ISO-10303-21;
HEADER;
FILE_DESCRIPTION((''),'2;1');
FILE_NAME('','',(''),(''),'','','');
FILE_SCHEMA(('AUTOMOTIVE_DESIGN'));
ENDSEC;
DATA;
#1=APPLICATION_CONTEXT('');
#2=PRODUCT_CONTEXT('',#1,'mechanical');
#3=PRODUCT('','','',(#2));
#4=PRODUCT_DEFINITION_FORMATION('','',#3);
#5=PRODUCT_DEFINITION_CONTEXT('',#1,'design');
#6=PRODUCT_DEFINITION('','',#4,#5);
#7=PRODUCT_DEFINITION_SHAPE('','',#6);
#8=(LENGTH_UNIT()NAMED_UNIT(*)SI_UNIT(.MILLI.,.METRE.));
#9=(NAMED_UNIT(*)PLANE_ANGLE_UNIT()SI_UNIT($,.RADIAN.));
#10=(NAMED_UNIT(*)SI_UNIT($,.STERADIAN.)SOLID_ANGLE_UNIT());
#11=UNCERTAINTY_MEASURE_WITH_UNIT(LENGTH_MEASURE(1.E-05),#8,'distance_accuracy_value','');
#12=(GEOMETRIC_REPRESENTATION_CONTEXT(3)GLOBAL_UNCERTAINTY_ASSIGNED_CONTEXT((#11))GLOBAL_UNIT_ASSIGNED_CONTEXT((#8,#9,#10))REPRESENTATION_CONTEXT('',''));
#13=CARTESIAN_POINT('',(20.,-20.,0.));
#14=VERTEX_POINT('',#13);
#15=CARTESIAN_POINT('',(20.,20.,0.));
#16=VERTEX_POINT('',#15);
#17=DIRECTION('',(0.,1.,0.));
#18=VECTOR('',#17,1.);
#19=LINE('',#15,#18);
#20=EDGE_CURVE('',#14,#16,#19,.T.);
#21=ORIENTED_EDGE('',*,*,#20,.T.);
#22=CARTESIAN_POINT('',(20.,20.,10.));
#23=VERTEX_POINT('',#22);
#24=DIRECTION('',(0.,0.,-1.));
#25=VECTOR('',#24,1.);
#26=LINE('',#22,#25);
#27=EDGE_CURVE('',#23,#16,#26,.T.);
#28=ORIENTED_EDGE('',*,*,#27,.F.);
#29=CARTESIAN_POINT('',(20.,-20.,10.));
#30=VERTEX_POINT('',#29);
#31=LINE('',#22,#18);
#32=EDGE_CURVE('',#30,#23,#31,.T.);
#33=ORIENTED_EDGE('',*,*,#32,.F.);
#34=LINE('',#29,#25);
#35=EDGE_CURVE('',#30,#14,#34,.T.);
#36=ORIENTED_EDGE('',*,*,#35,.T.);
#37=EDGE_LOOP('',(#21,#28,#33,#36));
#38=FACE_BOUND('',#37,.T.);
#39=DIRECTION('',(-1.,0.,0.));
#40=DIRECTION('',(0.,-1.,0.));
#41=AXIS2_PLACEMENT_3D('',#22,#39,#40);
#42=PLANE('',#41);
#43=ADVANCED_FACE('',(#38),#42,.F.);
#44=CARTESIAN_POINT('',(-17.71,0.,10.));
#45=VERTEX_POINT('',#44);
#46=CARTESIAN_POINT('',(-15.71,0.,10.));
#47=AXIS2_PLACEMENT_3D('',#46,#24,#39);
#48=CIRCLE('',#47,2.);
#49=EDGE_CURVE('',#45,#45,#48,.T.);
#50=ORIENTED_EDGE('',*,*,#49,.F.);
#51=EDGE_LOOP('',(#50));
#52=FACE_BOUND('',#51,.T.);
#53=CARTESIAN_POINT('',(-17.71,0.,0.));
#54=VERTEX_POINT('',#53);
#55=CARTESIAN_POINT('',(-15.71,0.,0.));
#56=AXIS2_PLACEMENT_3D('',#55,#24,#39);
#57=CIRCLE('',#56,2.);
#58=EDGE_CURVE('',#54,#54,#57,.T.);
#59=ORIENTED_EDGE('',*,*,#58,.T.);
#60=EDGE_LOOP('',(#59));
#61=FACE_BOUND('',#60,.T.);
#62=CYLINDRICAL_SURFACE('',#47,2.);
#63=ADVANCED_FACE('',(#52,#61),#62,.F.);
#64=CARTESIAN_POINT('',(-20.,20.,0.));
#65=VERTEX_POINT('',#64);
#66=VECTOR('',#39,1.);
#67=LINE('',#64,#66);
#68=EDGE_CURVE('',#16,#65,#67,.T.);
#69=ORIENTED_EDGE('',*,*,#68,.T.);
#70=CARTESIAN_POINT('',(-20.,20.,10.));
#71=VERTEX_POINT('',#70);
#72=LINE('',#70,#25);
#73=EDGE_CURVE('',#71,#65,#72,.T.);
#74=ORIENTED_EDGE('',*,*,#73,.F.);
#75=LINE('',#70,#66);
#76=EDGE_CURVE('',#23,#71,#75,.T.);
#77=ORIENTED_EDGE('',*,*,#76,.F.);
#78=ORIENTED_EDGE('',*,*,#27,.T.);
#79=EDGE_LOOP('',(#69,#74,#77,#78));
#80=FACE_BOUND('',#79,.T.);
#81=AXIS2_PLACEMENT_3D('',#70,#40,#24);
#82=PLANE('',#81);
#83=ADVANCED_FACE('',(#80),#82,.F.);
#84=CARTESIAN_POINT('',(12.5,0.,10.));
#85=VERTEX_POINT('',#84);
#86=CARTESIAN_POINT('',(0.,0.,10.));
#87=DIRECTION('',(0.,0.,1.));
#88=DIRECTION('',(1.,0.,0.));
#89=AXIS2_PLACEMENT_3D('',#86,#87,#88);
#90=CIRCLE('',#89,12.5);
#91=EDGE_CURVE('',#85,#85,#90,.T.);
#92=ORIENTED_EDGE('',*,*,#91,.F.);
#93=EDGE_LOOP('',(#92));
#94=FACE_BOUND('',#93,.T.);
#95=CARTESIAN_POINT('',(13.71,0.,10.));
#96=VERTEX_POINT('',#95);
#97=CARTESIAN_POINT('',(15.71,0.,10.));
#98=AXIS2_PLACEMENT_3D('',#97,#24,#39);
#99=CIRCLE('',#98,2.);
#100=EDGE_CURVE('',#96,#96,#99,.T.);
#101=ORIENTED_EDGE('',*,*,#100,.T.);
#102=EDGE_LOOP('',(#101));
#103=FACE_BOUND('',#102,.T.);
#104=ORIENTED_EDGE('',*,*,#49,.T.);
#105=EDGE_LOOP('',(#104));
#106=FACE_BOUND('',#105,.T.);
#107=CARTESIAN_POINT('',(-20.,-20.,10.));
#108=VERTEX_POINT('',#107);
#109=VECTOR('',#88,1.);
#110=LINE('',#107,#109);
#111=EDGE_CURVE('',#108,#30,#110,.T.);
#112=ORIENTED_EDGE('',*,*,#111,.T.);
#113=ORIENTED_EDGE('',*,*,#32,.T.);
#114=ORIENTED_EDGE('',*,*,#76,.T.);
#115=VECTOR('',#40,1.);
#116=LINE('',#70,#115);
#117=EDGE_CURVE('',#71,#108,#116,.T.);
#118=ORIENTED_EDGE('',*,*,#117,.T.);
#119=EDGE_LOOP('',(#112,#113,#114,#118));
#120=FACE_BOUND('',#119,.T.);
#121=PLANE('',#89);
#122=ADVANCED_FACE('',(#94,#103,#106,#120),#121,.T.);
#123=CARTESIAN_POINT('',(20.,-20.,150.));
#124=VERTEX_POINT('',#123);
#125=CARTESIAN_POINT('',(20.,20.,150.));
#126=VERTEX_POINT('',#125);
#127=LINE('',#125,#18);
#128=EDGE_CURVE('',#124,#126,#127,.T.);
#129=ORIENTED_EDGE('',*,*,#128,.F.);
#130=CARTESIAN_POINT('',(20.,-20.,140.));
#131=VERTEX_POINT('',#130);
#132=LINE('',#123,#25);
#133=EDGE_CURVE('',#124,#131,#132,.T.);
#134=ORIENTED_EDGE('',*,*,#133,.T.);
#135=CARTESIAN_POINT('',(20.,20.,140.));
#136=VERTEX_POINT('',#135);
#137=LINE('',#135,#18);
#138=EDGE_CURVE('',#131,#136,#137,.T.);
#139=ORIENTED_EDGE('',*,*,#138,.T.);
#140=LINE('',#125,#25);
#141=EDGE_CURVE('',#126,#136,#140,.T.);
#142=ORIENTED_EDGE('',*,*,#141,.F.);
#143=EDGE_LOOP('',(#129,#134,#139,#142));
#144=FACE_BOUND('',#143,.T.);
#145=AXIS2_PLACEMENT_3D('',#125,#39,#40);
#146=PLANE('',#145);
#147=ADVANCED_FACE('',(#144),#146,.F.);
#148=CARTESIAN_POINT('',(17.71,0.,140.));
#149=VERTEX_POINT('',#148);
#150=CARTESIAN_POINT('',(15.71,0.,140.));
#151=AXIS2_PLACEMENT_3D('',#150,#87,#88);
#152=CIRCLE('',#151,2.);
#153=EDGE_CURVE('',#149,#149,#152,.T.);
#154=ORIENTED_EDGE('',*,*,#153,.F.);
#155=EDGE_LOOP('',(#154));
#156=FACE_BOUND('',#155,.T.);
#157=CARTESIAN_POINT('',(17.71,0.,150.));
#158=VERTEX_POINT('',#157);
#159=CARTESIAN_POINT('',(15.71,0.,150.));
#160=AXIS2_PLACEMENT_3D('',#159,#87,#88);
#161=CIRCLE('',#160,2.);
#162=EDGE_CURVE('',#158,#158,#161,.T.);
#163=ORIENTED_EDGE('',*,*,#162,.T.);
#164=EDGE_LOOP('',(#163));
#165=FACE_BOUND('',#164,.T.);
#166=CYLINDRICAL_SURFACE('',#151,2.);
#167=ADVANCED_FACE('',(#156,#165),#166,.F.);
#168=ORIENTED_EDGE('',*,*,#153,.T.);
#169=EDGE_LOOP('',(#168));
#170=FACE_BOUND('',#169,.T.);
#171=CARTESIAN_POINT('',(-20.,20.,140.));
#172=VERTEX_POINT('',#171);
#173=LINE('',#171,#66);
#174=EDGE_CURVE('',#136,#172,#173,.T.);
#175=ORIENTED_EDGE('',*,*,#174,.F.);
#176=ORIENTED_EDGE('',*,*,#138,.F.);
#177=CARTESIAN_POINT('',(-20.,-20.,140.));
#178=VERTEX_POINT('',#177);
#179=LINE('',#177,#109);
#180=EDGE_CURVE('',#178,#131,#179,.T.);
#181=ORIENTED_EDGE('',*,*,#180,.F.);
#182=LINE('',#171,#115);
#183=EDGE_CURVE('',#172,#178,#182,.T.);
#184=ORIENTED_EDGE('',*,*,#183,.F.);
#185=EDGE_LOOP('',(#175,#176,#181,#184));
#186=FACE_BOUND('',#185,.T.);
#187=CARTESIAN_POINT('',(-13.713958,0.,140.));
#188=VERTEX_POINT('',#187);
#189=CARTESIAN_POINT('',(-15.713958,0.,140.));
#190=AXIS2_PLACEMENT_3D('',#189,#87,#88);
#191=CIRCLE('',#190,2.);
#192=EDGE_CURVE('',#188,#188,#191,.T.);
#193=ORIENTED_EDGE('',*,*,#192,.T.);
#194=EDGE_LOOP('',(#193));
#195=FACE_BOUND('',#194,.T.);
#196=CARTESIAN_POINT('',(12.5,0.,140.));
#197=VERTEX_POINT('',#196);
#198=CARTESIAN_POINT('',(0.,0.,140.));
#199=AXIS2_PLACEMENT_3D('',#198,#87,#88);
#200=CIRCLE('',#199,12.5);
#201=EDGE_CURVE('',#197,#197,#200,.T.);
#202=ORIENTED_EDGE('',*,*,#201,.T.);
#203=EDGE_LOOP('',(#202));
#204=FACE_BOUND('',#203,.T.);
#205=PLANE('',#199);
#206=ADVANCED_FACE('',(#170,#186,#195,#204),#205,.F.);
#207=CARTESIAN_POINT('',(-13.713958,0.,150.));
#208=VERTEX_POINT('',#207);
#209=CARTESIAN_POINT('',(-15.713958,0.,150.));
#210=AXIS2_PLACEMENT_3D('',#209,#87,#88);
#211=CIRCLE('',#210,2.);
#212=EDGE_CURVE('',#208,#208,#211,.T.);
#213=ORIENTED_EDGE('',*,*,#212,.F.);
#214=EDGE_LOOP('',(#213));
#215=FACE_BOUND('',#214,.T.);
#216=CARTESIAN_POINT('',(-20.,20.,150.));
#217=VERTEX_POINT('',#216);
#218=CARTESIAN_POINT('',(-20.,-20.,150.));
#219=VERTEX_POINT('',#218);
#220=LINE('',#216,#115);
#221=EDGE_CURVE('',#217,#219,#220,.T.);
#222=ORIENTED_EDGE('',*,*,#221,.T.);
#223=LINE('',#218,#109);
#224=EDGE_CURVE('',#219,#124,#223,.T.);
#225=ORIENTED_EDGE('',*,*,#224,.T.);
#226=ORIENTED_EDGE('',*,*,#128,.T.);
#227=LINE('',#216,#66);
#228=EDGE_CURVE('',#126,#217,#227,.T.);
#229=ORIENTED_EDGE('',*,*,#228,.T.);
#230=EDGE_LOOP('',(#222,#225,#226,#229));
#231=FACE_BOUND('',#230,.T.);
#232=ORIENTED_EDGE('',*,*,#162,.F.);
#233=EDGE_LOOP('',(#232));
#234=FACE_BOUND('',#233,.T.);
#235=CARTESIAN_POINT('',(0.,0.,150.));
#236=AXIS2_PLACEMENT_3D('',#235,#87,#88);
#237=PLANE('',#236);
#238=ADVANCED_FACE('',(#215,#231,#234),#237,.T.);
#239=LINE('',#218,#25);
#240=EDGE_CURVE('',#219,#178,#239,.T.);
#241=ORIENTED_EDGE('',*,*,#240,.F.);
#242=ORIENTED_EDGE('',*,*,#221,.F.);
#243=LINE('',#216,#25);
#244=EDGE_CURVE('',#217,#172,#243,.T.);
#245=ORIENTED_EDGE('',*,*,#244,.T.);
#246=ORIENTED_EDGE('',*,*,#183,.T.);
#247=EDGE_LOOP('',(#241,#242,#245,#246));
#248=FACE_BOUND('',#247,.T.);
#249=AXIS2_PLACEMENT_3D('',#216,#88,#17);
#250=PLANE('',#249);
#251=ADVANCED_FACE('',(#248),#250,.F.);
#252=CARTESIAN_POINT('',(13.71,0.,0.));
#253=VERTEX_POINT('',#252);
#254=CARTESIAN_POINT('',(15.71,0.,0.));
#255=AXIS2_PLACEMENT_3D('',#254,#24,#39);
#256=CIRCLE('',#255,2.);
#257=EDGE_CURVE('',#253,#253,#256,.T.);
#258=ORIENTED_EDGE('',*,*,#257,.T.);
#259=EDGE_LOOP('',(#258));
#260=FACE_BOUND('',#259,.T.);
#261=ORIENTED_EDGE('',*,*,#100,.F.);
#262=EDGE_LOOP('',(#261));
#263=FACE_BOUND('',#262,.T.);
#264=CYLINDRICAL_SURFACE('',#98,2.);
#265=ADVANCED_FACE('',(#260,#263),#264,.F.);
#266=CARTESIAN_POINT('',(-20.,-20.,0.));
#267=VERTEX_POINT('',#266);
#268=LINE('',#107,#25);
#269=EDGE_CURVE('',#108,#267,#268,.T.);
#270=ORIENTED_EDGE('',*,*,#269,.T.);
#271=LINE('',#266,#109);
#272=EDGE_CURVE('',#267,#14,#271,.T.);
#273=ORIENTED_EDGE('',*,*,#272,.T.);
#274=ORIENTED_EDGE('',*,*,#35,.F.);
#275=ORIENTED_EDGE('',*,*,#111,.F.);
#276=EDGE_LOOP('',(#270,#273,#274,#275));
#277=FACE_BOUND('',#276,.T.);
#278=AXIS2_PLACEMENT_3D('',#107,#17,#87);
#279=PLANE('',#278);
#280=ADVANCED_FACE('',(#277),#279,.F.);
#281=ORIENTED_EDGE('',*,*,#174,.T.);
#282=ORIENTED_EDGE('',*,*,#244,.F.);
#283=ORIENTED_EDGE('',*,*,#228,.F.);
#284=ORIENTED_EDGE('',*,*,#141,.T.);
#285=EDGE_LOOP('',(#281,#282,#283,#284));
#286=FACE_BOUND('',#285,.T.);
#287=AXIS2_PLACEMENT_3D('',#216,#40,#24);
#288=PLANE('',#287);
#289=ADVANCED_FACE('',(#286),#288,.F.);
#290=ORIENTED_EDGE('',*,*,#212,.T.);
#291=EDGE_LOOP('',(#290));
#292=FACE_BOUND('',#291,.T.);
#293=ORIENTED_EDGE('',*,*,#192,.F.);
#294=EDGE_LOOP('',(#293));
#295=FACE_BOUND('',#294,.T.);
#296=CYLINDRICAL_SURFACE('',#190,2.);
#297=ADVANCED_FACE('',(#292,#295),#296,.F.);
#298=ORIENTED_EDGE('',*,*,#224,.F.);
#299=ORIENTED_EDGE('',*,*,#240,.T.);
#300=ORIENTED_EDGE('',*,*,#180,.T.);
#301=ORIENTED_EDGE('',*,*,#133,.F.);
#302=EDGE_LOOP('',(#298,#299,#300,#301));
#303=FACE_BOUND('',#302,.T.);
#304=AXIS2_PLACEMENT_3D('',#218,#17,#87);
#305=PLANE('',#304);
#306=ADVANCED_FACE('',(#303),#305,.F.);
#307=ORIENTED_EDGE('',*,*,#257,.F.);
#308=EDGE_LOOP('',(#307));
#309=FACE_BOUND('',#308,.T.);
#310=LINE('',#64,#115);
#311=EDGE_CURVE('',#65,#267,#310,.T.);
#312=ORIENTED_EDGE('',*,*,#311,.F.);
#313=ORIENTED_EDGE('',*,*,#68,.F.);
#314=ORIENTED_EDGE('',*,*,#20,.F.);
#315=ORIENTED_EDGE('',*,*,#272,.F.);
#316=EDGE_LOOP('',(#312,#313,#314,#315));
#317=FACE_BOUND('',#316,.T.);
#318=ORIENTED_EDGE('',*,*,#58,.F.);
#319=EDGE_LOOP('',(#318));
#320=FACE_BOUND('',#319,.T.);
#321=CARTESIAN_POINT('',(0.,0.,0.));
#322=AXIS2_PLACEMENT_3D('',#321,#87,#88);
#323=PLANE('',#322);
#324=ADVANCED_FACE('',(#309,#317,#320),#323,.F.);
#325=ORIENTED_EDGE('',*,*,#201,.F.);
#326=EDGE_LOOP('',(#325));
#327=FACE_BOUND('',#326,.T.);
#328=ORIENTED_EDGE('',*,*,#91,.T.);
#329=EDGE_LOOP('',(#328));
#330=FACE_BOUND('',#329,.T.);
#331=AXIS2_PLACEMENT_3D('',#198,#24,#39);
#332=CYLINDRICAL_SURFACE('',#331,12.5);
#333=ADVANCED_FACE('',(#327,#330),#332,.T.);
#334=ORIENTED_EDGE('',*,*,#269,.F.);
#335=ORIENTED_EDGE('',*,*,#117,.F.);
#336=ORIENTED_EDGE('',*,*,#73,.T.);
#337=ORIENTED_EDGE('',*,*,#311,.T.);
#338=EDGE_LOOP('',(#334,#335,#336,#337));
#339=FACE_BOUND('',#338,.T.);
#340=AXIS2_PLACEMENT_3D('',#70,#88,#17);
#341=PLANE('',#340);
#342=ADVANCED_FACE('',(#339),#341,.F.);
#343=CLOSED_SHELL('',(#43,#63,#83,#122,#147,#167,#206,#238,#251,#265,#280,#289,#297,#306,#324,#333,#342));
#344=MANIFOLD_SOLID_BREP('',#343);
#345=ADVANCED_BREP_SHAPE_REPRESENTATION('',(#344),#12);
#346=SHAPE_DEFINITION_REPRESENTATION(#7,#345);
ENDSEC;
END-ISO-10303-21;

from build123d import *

# Parameters (mm, degrees)
SKETCH_1_W          = 40
SKETCH_1_H          = 40
EXTRUDE_1_DEPTH     = 10
SKETCH_2_R          = 12.5
EXTRUDE_2_DEPTH     = 130
SKETCH_3_W          = 40
SKETCH_3_H          = 40
EXTRUDE_3_DEPTH     = 10
SKETCH_4_R          = 2
CUT_EXTRUDE_1_DEPTH = 10
SKETCH_5_R          = 2
CUT_EXTRUDE_2_DEPTH = 10
CUT_EXTRUDE_START   = -10
SKETCH_6_R          = 2
CUT_EXTRUDE_3_DEPTH = 10
SKETCH_7_R          = 2
CUT_EXTRUDE_4_DEPTH = 10


with BuildPart() as part:
    # 草圖1 → 填料-伸長1 (new body)
    with BuildSketch(Plane.XY):
        Rectangle(SKETCH_1_W, SKETCH_1_H)
    extrude(amount=EXTRUDE_1_DEPTH)

    # 草圖2 → 填料-伸長2 (add)
    with BuildSketch(Plane.XY.offset(10)):
        Circle(SKETCH_2_R)
    extrude(amount=EXTRUDE_2_DEPTH)

    # 草圖3 → 填料-伸長3 (add)
    with BuildSketch(Plane.XY.offset(140)):
        Rectangle(SKETCH_3_W, SKETCH_3_H)
    extrude(amount=EXTRUDE_3_DEPTH)

    # 草圖4 → 除料-伸長1 (cut)
    with BuildSketch(Plane.XY.offset(150)):
        with Locations((-15.713957528, 0)):
            Circle(SKETCH_4_R)
    extrude(amount=-CUT_EXTRUDE_1_DEPTH, mode=Mode.SUBTRACT)

    # 草圖5 → 除料-伸長2 (cut)
    with BuildSketch(Plane.XY.offset(150)):
        with Locations((15.71, 0)):
            Circle(SKETCH_5_R)
    extrude(amount=-CUT_EXTRUDE_2_DEPTH, mode=Mode.SUBTRACT)

    # 草圖6 → 除料-伸長3 (cut)
    with BuildSketch(Plane(origin=(0, 0, 0), x_dir=(-1, 0, 0), z_dir=(0, 0, -1)).offset(CUT_EXTRUDE_START)):
        with Locations(Location((-15.71, 0, 0), (0, 0, 180))):
            Circle(SKETCH_6_R)
    extrude(amount=CUT_EXTRUDE_3_DEPTH, mode=Mode.SUBTRACT)

    # 草圖7 → 除料-伸長4 (cut)
    with BuildSketch(Plane(origin=(0, 0, 0), x_dir=(-1, 0, 0), z_dir=(0, 0, -1))):
        with Locations((15.71, 0)):
            Circle(SKETCH_7_R)
    extrude(amount=-CUT_EXTRUDE_4_DEPTH, mode=Mode.SUBTRACT)


solid = part.part
